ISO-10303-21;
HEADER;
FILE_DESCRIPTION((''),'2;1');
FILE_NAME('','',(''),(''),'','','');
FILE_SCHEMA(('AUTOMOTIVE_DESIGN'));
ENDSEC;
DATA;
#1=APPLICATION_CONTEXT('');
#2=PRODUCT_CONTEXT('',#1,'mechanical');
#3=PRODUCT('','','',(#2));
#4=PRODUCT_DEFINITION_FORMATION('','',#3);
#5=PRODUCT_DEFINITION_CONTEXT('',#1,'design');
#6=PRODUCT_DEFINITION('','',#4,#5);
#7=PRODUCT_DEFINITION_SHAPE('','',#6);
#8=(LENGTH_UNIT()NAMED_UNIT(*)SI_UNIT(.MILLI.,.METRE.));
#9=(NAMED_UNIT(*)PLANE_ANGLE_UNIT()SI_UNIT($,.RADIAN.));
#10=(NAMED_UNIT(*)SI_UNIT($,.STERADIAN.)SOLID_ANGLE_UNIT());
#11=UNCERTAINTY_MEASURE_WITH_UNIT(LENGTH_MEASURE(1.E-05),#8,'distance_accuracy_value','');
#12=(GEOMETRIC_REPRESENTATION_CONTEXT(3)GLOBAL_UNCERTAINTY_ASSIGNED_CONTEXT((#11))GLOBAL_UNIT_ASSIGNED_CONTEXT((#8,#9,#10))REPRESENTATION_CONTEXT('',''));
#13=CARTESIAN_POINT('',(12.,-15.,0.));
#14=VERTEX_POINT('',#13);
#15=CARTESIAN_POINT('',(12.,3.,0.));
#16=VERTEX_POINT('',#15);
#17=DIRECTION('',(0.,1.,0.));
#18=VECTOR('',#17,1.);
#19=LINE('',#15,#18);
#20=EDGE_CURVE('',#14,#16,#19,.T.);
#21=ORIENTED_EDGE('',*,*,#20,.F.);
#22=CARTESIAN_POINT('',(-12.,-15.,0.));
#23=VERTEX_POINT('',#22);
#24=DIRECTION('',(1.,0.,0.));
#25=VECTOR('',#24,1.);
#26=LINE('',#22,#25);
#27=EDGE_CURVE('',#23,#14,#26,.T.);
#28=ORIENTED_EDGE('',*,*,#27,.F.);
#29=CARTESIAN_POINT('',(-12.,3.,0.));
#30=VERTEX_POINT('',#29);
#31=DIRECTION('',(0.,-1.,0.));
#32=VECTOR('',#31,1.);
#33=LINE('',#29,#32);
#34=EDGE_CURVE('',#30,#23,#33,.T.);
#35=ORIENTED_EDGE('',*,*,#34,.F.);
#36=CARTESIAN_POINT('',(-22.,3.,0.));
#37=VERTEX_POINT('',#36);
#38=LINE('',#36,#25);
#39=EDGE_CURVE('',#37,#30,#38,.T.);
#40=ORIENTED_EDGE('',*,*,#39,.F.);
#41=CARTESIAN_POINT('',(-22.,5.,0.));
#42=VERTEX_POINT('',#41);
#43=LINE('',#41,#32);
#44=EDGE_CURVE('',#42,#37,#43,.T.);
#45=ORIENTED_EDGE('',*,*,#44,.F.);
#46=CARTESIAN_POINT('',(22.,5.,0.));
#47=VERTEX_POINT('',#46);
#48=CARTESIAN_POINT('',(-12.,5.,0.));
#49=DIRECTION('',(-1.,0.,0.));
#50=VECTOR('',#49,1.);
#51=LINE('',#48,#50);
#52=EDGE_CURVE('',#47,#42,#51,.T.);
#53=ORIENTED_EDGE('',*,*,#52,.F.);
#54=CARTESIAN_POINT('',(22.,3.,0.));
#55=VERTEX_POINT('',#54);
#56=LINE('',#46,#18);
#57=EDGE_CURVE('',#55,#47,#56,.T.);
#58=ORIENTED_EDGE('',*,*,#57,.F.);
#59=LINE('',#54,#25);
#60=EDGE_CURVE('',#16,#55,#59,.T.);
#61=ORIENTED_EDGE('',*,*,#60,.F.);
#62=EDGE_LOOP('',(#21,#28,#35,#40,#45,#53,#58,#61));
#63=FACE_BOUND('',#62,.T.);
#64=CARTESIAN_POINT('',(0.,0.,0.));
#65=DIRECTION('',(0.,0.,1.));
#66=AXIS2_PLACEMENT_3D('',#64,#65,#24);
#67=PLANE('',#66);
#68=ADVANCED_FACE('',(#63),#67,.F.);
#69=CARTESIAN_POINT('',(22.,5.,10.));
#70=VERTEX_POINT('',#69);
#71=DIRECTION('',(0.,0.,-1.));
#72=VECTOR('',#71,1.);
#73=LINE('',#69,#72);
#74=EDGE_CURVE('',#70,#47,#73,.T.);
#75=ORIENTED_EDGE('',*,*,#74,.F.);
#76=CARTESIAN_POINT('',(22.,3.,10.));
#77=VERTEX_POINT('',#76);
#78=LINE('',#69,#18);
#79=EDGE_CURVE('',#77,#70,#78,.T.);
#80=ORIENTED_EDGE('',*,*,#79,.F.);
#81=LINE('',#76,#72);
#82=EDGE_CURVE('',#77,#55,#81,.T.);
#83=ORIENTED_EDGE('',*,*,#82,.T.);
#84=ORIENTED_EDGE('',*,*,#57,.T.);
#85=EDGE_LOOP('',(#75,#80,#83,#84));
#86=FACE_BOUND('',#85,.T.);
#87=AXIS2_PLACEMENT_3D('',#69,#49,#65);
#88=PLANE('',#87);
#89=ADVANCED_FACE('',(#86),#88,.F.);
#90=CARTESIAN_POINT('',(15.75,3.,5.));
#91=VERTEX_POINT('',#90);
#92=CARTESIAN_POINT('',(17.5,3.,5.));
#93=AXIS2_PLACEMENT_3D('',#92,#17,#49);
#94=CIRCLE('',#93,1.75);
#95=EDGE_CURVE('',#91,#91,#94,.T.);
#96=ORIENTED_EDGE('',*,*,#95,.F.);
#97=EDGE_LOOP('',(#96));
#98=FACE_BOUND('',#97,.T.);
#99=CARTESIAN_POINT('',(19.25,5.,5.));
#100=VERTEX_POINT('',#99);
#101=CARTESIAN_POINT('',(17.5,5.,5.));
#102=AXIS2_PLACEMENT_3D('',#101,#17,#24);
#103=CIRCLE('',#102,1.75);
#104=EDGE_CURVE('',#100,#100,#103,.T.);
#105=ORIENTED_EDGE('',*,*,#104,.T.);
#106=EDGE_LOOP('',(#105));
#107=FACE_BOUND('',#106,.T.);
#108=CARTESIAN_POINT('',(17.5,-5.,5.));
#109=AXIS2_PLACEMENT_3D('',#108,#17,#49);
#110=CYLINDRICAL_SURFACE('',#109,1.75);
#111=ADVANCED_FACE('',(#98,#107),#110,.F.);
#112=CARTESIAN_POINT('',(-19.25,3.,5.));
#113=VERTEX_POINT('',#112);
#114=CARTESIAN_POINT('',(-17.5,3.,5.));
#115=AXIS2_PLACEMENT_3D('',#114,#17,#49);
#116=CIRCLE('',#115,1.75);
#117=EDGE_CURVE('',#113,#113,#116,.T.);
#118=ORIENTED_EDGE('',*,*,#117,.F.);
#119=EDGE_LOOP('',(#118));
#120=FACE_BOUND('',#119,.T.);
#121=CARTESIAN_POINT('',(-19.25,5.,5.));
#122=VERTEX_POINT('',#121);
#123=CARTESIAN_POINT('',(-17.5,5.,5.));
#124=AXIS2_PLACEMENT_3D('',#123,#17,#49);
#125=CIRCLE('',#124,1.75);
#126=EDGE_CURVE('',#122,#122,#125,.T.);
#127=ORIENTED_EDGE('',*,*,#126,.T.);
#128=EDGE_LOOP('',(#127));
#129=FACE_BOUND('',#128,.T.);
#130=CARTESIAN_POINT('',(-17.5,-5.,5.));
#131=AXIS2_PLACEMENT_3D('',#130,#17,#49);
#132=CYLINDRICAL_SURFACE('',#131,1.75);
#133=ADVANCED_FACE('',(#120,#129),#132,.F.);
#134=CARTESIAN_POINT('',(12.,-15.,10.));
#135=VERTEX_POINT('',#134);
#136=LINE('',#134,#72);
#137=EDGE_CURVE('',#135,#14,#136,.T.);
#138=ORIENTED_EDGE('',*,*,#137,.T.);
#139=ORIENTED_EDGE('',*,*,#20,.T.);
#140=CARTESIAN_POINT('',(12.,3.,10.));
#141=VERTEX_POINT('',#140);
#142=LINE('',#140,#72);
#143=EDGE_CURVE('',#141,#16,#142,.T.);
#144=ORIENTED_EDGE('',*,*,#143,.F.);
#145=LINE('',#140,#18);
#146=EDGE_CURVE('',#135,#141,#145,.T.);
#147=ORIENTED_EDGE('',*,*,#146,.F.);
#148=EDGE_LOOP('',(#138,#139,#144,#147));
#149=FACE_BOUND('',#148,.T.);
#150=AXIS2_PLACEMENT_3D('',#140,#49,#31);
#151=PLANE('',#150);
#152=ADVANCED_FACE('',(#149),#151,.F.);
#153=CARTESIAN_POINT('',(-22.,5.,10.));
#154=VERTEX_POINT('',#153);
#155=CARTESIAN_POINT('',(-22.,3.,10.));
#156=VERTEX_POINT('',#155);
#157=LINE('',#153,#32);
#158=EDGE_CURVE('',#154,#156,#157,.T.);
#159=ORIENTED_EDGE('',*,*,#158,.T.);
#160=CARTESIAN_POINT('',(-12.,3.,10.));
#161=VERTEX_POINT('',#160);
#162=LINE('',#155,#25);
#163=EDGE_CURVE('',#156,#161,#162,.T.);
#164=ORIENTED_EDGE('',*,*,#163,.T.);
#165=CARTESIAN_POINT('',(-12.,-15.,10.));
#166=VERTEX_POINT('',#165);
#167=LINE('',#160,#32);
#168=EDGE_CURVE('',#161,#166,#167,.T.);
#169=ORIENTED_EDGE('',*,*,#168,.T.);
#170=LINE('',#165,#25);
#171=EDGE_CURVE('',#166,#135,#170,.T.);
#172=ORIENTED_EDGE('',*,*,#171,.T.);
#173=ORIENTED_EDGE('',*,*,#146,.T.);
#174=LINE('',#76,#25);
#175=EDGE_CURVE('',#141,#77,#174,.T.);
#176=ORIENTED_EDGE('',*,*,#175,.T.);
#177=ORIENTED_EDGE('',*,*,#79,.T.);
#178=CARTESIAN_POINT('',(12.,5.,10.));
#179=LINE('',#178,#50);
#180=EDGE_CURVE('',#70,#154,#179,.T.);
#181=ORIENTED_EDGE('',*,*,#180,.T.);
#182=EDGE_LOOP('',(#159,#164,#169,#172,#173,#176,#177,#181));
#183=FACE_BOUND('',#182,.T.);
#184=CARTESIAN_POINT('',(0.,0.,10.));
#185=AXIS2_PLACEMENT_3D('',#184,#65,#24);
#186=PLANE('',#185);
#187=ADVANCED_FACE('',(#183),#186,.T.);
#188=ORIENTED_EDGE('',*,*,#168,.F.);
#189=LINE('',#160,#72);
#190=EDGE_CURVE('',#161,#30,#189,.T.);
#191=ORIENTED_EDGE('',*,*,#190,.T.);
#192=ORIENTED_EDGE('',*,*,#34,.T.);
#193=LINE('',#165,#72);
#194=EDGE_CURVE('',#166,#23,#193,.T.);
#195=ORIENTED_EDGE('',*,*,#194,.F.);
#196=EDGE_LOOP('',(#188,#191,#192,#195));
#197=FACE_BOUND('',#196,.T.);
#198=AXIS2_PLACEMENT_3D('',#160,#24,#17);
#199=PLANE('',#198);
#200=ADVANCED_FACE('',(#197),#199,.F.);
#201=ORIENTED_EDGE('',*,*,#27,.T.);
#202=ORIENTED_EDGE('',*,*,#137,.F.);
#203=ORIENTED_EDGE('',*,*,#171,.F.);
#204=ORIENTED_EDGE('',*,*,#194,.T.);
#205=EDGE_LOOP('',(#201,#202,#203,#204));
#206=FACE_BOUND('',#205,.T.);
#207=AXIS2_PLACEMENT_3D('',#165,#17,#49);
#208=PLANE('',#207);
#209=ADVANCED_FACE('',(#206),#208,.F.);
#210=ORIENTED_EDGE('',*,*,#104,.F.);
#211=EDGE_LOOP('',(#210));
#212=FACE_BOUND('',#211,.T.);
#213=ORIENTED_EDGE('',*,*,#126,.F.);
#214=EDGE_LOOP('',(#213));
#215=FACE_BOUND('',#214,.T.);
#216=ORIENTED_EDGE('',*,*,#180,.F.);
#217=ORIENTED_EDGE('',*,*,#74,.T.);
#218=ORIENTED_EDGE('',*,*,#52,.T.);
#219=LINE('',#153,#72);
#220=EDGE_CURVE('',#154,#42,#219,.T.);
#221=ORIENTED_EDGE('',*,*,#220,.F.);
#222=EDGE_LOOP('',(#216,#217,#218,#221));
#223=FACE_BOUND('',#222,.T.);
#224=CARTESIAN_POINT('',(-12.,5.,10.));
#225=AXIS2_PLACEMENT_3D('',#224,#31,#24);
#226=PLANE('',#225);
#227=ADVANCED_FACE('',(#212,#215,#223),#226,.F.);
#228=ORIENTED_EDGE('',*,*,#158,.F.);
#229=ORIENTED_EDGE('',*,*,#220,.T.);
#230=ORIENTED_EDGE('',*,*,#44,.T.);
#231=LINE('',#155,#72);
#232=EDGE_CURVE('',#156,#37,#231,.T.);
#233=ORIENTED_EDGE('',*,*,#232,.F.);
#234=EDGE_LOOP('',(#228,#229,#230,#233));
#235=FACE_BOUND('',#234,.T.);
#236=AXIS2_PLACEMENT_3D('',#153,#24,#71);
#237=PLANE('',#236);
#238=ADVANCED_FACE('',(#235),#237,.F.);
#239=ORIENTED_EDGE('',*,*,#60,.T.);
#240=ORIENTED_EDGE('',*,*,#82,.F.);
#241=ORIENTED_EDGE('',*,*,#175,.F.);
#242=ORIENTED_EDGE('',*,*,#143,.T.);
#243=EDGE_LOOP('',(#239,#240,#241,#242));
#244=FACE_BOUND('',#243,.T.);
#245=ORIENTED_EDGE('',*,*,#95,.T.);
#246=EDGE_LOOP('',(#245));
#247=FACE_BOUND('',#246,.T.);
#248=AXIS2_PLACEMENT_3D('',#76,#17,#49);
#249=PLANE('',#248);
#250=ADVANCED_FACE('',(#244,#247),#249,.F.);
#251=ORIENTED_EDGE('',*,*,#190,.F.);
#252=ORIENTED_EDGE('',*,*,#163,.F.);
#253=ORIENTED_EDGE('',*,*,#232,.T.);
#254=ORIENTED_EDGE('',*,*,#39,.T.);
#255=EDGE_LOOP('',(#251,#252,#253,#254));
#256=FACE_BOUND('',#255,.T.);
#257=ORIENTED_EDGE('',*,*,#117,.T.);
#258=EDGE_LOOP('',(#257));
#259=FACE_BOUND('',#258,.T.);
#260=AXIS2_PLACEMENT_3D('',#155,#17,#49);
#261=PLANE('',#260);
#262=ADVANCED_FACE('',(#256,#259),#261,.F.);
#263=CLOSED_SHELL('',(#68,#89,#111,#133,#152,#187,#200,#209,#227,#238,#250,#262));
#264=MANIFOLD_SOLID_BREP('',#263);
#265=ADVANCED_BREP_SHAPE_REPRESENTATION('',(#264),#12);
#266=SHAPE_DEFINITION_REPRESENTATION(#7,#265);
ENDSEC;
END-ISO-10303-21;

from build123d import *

# Parameters (mm, degrees)
RESSALTO_EXTRUS_O1_DEPTH = 10
ESBO_O2_R                = 1.75
CORTE_EXTRUS_O1_DEPTH    = 10


with BuildPart() as part:
    # Esboço1 → Ressalto-extrusão1 (new body)
    with BuildSketch(Plane.XY):
        Polygon((-12, 5), (-22, 5), (-22, 3), (-12, 3), (-12, -15), (12, -15), (12, 3), (22, 3), (22, 5), (12, 5), align=None)
    extrude(amount=RESSALTO_EXTRUS_O1_DEPTH)

    # Esboço2 → Corte-extrusão1 (cut)
    with BuildSketch(Plane(origin=(0, 5, 0), x_dir=(1, 0, 0), z_dir=(0, 1, 0))):
        with Locations(Location((-17.5, -5, 0), (0, 0, 180))):
            Circle(ESBO_O2_R)
        with Locations(Location((17.5, -5, 0), (0, 0, 180))):
            Circle(ESBO_O2_R)
    extrude(amount=-CORTE_EXTRUS_O1_DEPTH, mode=Mode.SUBTRACT)


solid = part.part
